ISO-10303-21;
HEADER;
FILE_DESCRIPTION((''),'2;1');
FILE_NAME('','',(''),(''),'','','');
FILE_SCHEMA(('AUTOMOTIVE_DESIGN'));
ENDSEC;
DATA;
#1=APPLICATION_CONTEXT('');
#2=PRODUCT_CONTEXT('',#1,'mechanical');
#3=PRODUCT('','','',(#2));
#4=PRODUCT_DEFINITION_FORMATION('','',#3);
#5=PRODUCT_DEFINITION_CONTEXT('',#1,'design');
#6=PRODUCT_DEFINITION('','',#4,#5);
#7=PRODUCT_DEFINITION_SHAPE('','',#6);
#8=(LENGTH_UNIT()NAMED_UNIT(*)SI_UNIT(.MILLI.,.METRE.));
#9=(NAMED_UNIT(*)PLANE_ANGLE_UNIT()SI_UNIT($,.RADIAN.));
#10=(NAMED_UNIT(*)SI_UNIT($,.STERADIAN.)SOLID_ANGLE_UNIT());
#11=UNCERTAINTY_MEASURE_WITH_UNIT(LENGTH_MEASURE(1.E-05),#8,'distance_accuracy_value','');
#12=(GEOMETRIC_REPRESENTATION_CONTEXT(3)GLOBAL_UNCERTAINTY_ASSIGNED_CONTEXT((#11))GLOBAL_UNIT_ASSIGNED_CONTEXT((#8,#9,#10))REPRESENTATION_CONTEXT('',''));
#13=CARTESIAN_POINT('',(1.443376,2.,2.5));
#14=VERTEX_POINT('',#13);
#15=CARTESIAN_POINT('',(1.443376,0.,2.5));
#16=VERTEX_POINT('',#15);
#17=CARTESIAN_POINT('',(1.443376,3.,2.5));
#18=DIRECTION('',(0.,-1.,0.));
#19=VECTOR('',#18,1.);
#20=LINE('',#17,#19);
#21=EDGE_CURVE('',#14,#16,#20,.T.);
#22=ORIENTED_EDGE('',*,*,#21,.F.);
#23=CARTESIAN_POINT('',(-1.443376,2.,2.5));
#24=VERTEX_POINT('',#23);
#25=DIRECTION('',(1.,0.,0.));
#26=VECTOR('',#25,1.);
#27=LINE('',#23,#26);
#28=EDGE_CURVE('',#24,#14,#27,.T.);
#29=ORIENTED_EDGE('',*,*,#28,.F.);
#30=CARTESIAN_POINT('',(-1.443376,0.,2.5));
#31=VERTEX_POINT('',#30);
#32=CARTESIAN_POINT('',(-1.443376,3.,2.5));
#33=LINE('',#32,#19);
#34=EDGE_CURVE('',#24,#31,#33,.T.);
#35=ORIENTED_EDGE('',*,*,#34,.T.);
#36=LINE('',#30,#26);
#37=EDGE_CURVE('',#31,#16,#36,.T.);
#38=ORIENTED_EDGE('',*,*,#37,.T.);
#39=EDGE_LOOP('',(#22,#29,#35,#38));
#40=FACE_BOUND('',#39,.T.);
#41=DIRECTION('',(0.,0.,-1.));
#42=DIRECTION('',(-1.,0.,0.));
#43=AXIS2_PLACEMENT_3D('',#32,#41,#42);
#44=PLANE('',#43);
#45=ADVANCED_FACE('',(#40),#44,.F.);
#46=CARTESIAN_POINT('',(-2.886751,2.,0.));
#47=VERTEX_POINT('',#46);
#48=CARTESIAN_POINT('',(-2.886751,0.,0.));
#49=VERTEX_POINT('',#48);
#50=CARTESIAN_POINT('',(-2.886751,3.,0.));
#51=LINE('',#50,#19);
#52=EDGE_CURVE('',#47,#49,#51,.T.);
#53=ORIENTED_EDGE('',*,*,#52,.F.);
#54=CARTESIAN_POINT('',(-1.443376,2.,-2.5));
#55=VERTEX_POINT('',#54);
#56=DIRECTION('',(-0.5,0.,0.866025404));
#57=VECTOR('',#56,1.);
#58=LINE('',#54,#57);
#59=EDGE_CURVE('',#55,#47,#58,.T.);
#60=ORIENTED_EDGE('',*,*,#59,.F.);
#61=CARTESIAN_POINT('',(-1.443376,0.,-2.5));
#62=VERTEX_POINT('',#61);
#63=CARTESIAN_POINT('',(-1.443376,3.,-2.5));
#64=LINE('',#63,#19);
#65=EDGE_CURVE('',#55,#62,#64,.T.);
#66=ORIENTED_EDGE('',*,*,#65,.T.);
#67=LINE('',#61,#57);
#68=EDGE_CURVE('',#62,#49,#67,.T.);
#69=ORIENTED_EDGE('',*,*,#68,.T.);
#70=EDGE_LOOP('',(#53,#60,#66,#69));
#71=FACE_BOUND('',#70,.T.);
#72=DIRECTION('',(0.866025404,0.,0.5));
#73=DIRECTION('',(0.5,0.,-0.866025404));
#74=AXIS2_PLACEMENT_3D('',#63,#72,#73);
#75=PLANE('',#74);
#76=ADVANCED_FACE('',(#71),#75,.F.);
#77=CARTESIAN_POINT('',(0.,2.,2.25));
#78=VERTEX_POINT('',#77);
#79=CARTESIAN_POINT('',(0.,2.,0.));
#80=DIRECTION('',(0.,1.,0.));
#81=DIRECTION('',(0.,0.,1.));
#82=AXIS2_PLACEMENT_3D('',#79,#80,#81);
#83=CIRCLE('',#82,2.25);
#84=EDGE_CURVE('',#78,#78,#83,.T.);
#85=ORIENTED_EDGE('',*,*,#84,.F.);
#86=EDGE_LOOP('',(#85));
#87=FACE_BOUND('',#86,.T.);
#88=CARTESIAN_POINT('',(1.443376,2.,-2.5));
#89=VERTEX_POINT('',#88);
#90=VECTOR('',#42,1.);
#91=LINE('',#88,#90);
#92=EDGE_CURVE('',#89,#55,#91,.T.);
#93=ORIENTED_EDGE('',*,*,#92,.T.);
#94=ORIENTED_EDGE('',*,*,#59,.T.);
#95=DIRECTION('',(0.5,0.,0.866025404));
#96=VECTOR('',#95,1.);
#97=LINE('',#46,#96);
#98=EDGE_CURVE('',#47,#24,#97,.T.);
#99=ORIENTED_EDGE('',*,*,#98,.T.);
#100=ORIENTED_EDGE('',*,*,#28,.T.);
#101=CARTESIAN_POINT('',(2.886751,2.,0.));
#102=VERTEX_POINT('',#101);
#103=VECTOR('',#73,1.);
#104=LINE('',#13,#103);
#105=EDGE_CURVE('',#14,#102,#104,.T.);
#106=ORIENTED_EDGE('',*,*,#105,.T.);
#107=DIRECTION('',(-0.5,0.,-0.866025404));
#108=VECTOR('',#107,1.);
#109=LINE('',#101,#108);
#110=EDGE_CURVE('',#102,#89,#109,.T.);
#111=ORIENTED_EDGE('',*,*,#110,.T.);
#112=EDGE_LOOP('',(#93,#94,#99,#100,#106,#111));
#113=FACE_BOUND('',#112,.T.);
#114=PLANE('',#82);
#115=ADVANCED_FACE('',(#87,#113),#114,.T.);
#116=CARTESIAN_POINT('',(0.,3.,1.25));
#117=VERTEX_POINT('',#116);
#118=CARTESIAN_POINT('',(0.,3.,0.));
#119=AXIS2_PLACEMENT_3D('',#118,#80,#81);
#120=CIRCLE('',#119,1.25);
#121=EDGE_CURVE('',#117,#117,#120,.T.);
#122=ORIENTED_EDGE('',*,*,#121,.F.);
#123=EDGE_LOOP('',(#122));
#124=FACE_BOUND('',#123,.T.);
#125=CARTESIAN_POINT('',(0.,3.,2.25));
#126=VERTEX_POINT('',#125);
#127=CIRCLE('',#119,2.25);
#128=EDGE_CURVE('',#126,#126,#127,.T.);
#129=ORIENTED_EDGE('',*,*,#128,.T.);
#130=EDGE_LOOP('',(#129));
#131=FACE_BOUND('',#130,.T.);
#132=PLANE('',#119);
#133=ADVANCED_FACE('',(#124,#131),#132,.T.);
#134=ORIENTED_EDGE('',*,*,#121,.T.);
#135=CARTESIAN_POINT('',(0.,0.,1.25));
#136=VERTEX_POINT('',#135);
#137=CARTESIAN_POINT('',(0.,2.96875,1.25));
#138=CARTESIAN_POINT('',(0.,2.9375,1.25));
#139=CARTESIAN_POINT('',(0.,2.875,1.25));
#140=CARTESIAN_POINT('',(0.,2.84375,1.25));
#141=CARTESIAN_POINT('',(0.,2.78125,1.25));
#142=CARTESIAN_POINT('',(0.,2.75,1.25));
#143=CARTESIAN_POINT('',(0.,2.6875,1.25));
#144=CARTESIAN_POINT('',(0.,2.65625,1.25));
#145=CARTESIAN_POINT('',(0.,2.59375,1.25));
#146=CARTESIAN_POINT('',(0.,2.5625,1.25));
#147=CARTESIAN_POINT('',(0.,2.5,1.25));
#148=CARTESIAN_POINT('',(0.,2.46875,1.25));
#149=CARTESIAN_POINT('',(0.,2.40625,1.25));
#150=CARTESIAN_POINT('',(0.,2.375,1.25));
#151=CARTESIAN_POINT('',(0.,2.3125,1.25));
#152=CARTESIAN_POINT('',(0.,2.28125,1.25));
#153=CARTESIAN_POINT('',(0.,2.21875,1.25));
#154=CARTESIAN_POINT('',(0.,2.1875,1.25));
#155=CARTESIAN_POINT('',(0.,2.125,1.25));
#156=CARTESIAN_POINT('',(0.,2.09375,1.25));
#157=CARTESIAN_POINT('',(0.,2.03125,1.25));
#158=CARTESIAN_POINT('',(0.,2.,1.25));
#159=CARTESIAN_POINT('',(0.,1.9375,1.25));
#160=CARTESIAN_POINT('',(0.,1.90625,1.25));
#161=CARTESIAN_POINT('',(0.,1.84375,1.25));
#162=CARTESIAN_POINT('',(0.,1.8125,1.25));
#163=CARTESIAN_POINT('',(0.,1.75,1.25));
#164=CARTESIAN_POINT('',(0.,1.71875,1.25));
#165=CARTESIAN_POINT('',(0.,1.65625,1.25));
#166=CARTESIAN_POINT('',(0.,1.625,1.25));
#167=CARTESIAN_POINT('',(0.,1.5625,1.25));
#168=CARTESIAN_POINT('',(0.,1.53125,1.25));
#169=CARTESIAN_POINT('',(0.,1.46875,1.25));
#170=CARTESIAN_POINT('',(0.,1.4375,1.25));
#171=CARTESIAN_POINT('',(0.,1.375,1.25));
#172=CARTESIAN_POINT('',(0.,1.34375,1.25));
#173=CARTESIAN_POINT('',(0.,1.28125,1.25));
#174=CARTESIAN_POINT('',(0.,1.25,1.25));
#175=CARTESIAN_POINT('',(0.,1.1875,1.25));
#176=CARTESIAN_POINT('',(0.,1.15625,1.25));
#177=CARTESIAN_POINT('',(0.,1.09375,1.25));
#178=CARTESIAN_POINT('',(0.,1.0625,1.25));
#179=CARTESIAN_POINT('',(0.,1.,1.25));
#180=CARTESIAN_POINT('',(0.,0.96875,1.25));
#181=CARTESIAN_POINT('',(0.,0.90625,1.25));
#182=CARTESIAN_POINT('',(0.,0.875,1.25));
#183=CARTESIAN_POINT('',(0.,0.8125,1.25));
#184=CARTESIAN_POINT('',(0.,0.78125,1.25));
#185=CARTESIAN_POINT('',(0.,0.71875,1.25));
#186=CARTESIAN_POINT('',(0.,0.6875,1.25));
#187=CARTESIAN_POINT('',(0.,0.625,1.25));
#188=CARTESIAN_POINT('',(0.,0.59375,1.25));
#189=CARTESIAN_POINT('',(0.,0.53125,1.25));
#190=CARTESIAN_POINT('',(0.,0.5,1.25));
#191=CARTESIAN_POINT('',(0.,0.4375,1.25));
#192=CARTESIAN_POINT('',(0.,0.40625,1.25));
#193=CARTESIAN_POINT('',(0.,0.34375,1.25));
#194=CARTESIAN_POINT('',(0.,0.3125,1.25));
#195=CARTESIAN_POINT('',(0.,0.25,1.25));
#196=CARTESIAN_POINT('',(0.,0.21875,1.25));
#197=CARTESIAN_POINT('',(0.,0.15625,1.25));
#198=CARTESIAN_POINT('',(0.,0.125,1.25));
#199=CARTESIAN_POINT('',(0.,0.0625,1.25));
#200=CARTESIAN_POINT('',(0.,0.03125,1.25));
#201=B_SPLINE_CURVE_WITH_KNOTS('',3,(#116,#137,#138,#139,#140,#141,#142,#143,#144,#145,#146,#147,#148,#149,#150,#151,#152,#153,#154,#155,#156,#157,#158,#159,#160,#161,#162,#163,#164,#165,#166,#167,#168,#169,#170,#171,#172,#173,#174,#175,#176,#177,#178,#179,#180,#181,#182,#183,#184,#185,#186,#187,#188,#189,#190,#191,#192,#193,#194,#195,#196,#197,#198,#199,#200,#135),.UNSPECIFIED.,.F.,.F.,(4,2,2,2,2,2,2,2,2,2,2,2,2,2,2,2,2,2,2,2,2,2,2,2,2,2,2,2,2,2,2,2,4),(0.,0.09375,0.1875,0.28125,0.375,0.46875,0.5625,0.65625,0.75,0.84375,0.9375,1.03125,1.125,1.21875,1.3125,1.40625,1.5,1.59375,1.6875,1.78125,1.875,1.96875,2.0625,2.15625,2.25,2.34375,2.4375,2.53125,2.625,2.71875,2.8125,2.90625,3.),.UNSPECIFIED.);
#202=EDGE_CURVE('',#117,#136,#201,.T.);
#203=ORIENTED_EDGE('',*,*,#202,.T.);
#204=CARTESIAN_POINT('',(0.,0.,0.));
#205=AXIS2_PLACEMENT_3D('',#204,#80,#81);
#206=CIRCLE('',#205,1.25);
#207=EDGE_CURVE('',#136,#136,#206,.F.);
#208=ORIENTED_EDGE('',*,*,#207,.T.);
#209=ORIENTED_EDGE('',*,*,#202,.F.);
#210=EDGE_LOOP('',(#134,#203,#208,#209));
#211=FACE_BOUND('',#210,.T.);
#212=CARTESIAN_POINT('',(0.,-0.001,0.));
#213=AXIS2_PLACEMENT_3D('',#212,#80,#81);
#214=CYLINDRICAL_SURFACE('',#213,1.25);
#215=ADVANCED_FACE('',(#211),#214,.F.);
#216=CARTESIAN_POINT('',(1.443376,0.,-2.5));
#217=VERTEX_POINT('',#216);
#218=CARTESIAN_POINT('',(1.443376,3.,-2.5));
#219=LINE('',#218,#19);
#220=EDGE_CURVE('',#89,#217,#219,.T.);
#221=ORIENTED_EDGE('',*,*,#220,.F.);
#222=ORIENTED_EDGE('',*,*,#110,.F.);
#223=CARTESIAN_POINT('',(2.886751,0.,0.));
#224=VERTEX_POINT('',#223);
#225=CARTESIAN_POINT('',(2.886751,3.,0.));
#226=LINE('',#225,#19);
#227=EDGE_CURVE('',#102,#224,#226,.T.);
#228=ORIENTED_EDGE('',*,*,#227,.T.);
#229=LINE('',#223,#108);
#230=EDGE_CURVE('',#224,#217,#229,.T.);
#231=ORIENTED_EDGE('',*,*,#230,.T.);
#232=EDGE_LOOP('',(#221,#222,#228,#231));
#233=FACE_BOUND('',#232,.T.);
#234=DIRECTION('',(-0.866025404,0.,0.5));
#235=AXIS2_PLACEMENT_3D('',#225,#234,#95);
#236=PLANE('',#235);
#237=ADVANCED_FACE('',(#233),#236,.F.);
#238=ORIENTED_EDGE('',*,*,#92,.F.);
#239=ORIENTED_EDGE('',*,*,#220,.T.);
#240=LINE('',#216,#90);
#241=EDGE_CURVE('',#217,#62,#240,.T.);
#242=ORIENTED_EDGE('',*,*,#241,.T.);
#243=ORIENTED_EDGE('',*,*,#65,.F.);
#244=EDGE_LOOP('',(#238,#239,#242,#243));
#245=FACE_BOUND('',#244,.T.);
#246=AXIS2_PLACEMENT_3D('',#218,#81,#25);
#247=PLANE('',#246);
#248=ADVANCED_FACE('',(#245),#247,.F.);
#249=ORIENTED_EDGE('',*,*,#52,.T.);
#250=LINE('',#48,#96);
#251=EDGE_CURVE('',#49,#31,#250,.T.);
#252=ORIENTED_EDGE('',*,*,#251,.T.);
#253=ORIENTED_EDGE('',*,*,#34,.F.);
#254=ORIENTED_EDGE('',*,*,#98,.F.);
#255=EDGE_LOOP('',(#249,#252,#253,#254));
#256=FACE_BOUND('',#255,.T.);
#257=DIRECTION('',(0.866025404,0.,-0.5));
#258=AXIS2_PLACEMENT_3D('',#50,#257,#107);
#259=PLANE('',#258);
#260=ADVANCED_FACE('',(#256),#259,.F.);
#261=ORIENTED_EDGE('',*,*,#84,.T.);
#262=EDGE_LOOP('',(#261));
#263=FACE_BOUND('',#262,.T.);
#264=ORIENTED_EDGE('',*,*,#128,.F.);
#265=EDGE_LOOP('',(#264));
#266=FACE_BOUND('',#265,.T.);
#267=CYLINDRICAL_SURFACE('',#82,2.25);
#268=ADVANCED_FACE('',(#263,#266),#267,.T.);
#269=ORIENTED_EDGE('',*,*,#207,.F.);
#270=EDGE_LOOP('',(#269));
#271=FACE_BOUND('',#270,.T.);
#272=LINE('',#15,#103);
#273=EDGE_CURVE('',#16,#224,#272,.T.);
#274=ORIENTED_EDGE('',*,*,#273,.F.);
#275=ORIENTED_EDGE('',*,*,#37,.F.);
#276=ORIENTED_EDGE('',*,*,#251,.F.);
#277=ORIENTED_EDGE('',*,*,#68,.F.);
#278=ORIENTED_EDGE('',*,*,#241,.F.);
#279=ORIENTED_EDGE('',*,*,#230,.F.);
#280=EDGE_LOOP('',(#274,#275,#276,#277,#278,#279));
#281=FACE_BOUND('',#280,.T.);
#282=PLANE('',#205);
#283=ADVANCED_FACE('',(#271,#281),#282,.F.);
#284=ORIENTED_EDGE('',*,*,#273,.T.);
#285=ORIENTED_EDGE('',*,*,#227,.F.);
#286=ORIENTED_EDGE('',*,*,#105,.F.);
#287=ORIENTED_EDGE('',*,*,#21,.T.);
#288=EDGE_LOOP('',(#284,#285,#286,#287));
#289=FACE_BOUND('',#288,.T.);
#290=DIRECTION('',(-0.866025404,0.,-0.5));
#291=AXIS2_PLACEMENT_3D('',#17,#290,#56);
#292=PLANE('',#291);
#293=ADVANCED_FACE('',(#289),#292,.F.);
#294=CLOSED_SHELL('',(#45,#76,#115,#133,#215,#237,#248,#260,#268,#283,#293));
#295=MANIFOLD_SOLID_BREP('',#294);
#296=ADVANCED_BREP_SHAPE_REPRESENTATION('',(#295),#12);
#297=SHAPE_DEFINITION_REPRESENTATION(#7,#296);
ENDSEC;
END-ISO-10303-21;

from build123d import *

# Parameters (mm, degrees)
EXTRUDE_1_DEPTH     = 3
CUT_EXTRUDE_1_REACH = 6.856
SKETCH_2_R          = 1.25
SKETCH_3_OUTSIDE_W  = 9.416
SKETCH_3_OUTSIDE_H  = 8.642
SKETCH_3_OUTSIDE_R  = 2.25
CUT_EXTRUDE_2_DEPTH = 1


with BuildPart() as part:
    # 草图1 → 凸台-拉伸1 (new body)
    with BuildSketch(Plane(origin=(0, 0, 0), x_dir=(1, 0, 0), z_dir=(0, 1, 0))):
        Polygon((2.886751346, 0), (1.443375673, 2.5), (-1.443375673, 2.5), (-2.886751346, 0), (-1.443375673, -2.5), (1.443375673, -2.5), align=None)
    extrude(amount=EXTRUDE_1_DEPTH)

    # 草图2 → 切除-拉伸1 (cut, up to next)
    with BuildSketch(Plane(origin=(0, 3, 0), x_dir=(1, 0, 0), z_dir=(0, 1, 0)), mode=Mode.PRIVATE) as cut_extrude_1_sk1:
        with Locations(Location((0, 0, 0), (0, 0, 270))):
            Circle(SKETCH_2_R)
    cut_extrude_1_tool1 = extrude(cut_extrude_1_sk1.sketch, amount=-CUT_EXTRUDE_1_REACH, mode=Mode.PRIVATE) & part.part
    add(cut_extrude_1_tool1.solids().sort_by_distance((0, 3, 0))[0], mode=Mode.SUBTRACT)

    # 草图3 outside → 切除-拉伸2 (cut)
    with BuildSketch(Plane(origin=(0, 3, 0), x_dir=(1, 0, 0), z_dir=(0, 1, 0))):
        Rectangle(SKETCH_3_OUTSIDE_W, SKETCH_3_OUTSIDE_H)
        with Locations(Location((0, 0, 0), (0, 0, 270))):
            Circle(SKETCH_3_OUTSIDE_R, mode=Mode.SUBTRACT)
    extrude(amount=-CUT_EXTRUDE_2_DEPTH, mode=Mode.SUBTRACT)


solid = part.part
